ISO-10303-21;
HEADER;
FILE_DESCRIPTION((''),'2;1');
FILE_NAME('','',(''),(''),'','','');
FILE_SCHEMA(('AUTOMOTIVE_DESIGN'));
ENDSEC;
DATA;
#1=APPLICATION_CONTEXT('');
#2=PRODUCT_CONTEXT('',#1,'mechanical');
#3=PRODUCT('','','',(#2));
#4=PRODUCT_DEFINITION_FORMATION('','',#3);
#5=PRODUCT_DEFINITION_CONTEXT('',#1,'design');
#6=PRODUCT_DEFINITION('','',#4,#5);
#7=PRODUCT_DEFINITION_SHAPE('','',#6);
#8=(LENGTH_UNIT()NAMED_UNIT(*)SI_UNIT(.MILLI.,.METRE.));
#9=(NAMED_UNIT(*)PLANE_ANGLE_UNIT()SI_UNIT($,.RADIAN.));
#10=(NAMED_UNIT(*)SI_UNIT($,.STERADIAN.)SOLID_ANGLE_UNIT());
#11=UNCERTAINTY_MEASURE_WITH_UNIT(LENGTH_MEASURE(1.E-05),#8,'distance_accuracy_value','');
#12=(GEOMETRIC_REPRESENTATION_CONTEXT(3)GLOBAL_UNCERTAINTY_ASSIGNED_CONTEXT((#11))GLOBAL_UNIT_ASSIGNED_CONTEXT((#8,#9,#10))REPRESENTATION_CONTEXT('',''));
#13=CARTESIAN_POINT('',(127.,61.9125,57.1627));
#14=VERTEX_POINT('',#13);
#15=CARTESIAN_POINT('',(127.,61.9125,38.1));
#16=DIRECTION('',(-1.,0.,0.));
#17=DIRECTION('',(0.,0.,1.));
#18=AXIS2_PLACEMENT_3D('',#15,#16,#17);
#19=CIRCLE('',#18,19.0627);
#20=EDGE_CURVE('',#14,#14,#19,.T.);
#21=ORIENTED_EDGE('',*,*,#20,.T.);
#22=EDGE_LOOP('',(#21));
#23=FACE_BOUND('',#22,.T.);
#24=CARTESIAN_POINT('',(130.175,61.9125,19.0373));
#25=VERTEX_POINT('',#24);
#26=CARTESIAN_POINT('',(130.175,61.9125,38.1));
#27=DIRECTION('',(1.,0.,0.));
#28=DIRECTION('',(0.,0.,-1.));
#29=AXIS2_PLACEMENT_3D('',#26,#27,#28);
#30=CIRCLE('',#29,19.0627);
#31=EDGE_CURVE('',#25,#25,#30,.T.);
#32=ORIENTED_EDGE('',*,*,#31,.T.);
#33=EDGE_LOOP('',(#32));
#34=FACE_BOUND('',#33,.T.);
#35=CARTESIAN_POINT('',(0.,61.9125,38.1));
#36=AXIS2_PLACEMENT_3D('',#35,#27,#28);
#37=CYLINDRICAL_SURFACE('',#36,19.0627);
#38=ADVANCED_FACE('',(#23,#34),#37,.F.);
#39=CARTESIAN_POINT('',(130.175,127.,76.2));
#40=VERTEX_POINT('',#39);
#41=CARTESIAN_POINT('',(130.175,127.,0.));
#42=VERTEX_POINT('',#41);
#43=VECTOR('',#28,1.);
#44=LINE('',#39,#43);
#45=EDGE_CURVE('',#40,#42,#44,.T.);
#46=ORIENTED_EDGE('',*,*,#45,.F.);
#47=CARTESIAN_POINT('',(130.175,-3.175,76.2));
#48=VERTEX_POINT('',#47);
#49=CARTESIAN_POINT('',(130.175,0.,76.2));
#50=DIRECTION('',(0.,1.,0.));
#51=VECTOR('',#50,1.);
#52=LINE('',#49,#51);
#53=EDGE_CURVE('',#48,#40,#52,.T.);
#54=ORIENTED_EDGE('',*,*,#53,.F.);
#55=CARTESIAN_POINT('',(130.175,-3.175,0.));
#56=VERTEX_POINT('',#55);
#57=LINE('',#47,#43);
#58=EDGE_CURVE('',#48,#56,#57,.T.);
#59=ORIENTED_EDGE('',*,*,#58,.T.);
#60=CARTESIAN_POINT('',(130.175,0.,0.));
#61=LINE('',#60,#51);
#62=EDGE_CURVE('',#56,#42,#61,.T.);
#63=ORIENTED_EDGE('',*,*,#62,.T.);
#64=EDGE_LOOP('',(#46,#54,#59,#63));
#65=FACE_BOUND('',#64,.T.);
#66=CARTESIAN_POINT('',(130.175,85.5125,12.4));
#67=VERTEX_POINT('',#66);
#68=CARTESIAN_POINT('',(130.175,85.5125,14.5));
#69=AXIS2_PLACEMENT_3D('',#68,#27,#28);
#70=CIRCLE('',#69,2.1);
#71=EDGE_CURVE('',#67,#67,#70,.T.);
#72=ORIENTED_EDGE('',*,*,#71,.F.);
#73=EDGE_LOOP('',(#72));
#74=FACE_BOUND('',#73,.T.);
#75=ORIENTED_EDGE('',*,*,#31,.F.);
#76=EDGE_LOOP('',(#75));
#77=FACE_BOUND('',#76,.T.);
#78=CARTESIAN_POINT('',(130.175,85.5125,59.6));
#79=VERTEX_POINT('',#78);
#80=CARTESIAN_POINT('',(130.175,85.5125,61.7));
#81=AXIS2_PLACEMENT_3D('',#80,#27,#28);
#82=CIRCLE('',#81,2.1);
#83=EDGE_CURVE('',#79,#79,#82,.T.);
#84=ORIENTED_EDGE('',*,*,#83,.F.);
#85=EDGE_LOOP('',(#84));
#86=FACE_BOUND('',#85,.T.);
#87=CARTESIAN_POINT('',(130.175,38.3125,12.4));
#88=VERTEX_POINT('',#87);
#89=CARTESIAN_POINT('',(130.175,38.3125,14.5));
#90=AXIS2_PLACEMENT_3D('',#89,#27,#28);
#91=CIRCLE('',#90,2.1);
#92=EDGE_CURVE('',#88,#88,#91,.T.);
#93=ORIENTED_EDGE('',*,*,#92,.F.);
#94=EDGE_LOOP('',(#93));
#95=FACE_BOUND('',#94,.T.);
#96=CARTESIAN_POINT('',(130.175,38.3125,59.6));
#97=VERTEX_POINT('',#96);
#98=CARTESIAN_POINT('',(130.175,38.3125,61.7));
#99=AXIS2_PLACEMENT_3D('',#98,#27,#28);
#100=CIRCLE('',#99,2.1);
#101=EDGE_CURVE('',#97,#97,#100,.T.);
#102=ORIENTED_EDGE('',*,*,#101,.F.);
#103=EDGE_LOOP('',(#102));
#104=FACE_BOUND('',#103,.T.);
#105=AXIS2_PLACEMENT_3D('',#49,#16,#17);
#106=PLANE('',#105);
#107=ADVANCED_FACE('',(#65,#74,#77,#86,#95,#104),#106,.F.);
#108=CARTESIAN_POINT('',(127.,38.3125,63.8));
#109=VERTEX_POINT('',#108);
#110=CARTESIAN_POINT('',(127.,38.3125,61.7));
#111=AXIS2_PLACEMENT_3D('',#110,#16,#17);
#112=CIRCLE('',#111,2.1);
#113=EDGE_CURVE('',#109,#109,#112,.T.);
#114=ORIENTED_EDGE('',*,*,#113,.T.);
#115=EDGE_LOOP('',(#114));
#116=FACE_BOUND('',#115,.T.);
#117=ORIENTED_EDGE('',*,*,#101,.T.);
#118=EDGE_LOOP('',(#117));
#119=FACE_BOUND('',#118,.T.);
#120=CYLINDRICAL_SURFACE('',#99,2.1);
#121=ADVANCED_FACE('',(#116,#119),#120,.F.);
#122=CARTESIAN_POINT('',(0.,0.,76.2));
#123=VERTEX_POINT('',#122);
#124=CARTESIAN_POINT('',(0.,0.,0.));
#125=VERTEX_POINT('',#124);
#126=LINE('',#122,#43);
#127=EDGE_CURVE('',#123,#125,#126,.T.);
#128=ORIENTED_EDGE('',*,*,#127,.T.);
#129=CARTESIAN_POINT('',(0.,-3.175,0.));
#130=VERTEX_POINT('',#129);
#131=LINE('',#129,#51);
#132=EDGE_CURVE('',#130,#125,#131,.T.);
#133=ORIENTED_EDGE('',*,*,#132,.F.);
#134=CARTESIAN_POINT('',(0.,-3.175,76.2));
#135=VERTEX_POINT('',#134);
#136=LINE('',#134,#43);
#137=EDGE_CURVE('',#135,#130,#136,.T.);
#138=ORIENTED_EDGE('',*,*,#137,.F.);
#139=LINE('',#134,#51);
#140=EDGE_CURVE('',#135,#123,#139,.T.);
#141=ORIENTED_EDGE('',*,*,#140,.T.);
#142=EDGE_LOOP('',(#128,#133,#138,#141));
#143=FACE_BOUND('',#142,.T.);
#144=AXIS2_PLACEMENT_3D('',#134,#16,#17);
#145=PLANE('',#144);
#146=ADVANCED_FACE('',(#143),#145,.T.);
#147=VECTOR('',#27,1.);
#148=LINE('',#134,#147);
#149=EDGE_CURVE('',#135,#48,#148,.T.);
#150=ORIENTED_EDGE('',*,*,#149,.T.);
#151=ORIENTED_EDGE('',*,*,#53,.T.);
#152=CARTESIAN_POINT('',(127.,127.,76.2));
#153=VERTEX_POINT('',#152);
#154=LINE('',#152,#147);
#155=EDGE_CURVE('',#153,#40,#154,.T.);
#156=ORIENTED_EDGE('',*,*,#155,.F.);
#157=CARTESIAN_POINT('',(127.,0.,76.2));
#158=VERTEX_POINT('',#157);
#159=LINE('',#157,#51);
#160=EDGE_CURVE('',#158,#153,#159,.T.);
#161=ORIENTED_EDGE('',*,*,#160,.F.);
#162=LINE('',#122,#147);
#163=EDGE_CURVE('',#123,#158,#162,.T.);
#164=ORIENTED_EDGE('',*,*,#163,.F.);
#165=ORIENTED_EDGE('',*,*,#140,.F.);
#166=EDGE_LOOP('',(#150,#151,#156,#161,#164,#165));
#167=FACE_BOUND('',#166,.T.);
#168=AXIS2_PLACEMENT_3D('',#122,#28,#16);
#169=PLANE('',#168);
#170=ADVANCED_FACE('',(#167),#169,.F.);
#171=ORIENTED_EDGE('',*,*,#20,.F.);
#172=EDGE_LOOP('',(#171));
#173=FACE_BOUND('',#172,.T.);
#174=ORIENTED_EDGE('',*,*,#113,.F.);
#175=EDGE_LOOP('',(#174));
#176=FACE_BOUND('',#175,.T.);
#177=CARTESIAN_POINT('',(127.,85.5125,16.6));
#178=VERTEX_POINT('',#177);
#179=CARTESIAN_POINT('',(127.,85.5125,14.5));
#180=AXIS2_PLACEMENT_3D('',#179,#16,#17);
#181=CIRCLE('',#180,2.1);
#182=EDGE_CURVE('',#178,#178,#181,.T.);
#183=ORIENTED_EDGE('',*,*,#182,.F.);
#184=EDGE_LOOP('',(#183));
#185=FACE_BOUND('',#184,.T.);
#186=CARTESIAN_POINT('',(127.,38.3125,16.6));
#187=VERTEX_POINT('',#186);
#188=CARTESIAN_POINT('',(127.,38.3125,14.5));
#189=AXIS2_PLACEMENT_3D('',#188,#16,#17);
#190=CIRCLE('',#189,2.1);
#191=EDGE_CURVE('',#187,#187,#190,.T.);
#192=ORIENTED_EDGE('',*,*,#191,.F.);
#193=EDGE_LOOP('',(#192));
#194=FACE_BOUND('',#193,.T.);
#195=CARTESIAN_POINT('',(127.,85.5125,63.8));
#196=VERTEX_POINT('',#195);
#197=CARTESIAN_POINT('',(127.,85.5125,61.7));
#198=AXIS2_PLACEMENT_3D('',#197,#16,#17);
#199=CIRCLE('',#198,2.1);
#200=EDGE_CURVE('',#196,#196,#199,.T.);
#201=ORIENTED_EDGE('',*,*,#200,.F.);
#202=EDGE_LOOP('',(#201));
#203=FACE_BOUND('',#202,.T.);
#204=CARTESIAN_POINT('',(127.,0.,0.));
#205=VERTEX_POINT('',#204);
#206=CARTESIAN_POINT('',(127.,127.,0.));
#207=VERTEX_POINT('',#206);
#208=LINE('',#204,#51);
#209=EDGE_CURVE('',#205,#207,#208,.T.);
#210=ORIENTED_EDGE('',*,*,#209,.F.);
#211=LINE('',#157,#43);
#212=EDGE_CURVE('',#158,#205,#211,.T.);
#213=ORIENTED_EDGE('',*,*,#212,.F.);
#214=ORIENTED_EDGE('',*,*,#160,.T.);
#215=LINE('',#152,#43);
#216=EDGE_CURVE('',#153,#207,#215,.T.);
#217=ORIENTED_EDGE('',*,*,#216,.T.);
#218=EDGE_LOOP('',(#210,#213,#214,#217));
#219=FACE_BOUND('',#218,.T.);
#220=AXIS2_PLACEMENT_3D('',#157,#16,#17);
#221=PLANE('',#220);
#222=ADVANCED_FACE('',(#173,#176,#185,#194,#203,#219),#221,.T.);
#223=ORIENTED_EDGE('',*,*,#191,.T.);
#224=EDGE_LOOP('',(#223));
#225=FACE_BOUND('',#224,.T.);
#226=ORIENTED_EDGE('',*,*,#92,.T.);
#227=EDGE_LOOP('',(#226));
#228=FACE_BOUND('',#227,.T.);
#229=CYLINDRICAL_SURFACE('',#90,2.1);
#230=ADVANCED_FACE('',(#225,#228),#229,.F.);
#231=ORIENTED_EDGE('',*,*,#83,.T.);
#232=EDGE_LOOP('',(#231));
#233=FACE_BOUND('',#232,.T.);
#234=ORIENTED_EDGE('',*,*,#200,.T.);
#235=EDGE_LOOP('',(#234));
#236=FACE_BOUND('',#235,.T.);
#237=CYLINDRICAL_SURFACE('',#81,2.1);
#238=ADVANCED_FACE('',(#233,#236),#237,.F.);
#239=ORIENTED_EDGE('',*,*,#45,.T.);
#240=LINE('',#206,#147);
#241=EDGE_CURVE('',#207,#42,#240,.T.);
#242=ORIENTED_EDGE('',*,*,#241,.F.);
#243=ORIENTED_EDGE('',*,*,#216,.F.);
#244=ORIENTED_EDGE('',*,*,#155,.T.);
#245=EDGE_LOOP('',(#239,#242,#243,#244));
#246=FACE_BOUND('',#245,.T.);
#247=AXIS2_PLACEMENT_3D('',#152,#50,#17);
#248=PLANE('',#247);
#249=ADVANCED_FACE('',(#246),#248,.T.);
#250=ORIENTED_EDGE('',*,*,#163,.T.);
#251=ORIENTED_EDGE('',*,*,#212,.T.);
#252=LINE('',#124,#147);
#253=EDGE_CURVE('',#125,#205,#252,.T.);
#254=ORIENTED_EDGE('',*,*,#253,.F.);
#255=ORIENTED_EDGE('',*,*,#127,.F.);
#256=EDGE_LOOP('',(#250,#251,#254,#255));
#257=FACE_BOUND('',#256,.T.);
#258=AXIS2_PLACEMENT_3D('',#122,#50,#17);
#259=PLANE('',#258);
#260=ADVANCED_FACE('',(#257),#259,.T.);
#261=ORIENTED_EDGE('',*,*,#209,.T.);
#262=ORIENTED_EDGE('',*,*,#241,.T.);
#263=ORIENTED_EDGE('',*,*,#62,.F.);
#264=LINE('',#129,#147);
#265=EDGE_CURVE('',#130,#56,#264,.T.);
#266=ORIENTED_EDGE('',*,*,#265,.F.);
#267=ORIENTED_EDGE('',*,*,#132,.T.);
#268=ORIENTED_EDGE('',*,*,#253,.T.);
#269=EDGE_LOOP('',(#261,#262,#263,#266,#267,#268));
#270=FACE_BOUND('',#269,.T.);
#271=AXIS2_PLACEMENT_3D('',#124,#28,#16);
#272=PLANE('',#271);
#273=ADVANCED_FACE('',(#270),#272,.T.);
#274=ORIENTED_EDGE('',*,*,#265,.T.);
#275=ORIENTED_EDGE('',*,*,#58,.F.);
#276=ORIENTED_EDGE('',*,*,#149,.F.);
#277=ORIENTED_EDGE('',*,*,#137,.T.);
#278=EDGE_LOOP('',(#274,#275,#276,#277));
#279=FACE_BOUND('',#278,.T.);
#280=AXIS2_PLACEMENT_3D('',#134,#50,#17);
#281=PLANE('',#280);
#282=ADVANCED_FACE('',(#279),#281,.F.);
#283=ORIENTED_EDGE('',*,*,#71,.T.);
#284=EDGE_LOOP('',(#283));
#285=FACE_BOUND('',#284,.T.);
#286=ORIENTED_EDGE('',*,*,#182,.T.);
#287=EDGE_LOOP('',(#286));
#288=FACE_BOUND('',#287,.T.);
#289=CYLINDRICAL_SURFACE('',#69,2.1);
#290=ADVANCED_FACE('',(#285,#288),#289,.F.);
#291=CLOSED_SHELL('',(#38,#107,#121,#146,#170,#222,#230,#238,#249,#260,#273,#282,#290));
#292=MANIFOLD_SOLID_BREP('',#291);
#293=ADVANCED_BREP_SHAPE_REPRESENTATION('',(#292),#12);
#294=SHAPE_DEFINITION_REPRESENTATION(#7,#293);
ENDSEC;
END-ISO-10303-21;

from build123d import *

# Parameters (mm, degrees)
EXTRUDE_THIN1_DEPTH             = 76.2
TAP_DRILL_FOR_M5X0_8_TAP1_D     = 4.2
TAP_DRILL_FOR_M5X0_8_TAP1_DEPTH = 11.938
TAP_DRILL_FOR_M5X0_8_TAP1_TIP   = 1.2618073
SKETCH4_R                       = 19.0627
CUT_EXTRUDE1_DEPTH              = 198.182581951


with BuildPart() as part:
    # Sketch1 → Extrude-Thin1 (new body)
    with BuildSketch(Plane.XY):
        Polygon((0, 0), (127, 0), (127, 127), (130.175, 127), (130.175, -3.175), (0, -3.175), align=None)
    extrude(amount=EXTRUDE_THIN1_DEPTH)

    # Tap Drill for M5x0.8 Tap1
    with Locations(Plane(origin=(130.175, 0, 0), x_dir=(0, 0, -1), z_dir=(1, 0, 0))):
        with Locations((-14.5, 85.5125), (-61.7, 38.3125), (-61.7, 85.5125), (-14.5, 38.3125)):
            Hole(TAP_DRILL_FOR_M5X0_8_TAP1_D / 2, depth=TAP_DRILL_FOR_M5X0_8_TAP1_DEPTH)
            with Locations((0, 0, -(TAP_DRILL_FOR_M5X0_8_TAP1_DEPTH + TAP_DRILL_FOR_M5X0_8_TAP1_TIP / 2))):  # 118° drill point
                Cone(0, TAP_DRILL_FOR_M5X0_8_TAP1_D / 2, TAP_DRILL_FOR_M5X0_8_TAP1_TIP, mode=Mode.SUBTRACT)

    # Sketch4 → Cut-Extrude1 (cut, through all)
    with BuildSketch(Plane(origin=(130.175, 0, 0), x_dir=(0, 0, -1), z_dir=(1, 0, 0))):
        with Locations((-38.1, 61.9125)):
            Circle(SKETCH4_R)
    extrude(amount=-CUT_EXTRUDE1_DEPTH, mode=Mode.SUBTRACT)


solid = part.part
